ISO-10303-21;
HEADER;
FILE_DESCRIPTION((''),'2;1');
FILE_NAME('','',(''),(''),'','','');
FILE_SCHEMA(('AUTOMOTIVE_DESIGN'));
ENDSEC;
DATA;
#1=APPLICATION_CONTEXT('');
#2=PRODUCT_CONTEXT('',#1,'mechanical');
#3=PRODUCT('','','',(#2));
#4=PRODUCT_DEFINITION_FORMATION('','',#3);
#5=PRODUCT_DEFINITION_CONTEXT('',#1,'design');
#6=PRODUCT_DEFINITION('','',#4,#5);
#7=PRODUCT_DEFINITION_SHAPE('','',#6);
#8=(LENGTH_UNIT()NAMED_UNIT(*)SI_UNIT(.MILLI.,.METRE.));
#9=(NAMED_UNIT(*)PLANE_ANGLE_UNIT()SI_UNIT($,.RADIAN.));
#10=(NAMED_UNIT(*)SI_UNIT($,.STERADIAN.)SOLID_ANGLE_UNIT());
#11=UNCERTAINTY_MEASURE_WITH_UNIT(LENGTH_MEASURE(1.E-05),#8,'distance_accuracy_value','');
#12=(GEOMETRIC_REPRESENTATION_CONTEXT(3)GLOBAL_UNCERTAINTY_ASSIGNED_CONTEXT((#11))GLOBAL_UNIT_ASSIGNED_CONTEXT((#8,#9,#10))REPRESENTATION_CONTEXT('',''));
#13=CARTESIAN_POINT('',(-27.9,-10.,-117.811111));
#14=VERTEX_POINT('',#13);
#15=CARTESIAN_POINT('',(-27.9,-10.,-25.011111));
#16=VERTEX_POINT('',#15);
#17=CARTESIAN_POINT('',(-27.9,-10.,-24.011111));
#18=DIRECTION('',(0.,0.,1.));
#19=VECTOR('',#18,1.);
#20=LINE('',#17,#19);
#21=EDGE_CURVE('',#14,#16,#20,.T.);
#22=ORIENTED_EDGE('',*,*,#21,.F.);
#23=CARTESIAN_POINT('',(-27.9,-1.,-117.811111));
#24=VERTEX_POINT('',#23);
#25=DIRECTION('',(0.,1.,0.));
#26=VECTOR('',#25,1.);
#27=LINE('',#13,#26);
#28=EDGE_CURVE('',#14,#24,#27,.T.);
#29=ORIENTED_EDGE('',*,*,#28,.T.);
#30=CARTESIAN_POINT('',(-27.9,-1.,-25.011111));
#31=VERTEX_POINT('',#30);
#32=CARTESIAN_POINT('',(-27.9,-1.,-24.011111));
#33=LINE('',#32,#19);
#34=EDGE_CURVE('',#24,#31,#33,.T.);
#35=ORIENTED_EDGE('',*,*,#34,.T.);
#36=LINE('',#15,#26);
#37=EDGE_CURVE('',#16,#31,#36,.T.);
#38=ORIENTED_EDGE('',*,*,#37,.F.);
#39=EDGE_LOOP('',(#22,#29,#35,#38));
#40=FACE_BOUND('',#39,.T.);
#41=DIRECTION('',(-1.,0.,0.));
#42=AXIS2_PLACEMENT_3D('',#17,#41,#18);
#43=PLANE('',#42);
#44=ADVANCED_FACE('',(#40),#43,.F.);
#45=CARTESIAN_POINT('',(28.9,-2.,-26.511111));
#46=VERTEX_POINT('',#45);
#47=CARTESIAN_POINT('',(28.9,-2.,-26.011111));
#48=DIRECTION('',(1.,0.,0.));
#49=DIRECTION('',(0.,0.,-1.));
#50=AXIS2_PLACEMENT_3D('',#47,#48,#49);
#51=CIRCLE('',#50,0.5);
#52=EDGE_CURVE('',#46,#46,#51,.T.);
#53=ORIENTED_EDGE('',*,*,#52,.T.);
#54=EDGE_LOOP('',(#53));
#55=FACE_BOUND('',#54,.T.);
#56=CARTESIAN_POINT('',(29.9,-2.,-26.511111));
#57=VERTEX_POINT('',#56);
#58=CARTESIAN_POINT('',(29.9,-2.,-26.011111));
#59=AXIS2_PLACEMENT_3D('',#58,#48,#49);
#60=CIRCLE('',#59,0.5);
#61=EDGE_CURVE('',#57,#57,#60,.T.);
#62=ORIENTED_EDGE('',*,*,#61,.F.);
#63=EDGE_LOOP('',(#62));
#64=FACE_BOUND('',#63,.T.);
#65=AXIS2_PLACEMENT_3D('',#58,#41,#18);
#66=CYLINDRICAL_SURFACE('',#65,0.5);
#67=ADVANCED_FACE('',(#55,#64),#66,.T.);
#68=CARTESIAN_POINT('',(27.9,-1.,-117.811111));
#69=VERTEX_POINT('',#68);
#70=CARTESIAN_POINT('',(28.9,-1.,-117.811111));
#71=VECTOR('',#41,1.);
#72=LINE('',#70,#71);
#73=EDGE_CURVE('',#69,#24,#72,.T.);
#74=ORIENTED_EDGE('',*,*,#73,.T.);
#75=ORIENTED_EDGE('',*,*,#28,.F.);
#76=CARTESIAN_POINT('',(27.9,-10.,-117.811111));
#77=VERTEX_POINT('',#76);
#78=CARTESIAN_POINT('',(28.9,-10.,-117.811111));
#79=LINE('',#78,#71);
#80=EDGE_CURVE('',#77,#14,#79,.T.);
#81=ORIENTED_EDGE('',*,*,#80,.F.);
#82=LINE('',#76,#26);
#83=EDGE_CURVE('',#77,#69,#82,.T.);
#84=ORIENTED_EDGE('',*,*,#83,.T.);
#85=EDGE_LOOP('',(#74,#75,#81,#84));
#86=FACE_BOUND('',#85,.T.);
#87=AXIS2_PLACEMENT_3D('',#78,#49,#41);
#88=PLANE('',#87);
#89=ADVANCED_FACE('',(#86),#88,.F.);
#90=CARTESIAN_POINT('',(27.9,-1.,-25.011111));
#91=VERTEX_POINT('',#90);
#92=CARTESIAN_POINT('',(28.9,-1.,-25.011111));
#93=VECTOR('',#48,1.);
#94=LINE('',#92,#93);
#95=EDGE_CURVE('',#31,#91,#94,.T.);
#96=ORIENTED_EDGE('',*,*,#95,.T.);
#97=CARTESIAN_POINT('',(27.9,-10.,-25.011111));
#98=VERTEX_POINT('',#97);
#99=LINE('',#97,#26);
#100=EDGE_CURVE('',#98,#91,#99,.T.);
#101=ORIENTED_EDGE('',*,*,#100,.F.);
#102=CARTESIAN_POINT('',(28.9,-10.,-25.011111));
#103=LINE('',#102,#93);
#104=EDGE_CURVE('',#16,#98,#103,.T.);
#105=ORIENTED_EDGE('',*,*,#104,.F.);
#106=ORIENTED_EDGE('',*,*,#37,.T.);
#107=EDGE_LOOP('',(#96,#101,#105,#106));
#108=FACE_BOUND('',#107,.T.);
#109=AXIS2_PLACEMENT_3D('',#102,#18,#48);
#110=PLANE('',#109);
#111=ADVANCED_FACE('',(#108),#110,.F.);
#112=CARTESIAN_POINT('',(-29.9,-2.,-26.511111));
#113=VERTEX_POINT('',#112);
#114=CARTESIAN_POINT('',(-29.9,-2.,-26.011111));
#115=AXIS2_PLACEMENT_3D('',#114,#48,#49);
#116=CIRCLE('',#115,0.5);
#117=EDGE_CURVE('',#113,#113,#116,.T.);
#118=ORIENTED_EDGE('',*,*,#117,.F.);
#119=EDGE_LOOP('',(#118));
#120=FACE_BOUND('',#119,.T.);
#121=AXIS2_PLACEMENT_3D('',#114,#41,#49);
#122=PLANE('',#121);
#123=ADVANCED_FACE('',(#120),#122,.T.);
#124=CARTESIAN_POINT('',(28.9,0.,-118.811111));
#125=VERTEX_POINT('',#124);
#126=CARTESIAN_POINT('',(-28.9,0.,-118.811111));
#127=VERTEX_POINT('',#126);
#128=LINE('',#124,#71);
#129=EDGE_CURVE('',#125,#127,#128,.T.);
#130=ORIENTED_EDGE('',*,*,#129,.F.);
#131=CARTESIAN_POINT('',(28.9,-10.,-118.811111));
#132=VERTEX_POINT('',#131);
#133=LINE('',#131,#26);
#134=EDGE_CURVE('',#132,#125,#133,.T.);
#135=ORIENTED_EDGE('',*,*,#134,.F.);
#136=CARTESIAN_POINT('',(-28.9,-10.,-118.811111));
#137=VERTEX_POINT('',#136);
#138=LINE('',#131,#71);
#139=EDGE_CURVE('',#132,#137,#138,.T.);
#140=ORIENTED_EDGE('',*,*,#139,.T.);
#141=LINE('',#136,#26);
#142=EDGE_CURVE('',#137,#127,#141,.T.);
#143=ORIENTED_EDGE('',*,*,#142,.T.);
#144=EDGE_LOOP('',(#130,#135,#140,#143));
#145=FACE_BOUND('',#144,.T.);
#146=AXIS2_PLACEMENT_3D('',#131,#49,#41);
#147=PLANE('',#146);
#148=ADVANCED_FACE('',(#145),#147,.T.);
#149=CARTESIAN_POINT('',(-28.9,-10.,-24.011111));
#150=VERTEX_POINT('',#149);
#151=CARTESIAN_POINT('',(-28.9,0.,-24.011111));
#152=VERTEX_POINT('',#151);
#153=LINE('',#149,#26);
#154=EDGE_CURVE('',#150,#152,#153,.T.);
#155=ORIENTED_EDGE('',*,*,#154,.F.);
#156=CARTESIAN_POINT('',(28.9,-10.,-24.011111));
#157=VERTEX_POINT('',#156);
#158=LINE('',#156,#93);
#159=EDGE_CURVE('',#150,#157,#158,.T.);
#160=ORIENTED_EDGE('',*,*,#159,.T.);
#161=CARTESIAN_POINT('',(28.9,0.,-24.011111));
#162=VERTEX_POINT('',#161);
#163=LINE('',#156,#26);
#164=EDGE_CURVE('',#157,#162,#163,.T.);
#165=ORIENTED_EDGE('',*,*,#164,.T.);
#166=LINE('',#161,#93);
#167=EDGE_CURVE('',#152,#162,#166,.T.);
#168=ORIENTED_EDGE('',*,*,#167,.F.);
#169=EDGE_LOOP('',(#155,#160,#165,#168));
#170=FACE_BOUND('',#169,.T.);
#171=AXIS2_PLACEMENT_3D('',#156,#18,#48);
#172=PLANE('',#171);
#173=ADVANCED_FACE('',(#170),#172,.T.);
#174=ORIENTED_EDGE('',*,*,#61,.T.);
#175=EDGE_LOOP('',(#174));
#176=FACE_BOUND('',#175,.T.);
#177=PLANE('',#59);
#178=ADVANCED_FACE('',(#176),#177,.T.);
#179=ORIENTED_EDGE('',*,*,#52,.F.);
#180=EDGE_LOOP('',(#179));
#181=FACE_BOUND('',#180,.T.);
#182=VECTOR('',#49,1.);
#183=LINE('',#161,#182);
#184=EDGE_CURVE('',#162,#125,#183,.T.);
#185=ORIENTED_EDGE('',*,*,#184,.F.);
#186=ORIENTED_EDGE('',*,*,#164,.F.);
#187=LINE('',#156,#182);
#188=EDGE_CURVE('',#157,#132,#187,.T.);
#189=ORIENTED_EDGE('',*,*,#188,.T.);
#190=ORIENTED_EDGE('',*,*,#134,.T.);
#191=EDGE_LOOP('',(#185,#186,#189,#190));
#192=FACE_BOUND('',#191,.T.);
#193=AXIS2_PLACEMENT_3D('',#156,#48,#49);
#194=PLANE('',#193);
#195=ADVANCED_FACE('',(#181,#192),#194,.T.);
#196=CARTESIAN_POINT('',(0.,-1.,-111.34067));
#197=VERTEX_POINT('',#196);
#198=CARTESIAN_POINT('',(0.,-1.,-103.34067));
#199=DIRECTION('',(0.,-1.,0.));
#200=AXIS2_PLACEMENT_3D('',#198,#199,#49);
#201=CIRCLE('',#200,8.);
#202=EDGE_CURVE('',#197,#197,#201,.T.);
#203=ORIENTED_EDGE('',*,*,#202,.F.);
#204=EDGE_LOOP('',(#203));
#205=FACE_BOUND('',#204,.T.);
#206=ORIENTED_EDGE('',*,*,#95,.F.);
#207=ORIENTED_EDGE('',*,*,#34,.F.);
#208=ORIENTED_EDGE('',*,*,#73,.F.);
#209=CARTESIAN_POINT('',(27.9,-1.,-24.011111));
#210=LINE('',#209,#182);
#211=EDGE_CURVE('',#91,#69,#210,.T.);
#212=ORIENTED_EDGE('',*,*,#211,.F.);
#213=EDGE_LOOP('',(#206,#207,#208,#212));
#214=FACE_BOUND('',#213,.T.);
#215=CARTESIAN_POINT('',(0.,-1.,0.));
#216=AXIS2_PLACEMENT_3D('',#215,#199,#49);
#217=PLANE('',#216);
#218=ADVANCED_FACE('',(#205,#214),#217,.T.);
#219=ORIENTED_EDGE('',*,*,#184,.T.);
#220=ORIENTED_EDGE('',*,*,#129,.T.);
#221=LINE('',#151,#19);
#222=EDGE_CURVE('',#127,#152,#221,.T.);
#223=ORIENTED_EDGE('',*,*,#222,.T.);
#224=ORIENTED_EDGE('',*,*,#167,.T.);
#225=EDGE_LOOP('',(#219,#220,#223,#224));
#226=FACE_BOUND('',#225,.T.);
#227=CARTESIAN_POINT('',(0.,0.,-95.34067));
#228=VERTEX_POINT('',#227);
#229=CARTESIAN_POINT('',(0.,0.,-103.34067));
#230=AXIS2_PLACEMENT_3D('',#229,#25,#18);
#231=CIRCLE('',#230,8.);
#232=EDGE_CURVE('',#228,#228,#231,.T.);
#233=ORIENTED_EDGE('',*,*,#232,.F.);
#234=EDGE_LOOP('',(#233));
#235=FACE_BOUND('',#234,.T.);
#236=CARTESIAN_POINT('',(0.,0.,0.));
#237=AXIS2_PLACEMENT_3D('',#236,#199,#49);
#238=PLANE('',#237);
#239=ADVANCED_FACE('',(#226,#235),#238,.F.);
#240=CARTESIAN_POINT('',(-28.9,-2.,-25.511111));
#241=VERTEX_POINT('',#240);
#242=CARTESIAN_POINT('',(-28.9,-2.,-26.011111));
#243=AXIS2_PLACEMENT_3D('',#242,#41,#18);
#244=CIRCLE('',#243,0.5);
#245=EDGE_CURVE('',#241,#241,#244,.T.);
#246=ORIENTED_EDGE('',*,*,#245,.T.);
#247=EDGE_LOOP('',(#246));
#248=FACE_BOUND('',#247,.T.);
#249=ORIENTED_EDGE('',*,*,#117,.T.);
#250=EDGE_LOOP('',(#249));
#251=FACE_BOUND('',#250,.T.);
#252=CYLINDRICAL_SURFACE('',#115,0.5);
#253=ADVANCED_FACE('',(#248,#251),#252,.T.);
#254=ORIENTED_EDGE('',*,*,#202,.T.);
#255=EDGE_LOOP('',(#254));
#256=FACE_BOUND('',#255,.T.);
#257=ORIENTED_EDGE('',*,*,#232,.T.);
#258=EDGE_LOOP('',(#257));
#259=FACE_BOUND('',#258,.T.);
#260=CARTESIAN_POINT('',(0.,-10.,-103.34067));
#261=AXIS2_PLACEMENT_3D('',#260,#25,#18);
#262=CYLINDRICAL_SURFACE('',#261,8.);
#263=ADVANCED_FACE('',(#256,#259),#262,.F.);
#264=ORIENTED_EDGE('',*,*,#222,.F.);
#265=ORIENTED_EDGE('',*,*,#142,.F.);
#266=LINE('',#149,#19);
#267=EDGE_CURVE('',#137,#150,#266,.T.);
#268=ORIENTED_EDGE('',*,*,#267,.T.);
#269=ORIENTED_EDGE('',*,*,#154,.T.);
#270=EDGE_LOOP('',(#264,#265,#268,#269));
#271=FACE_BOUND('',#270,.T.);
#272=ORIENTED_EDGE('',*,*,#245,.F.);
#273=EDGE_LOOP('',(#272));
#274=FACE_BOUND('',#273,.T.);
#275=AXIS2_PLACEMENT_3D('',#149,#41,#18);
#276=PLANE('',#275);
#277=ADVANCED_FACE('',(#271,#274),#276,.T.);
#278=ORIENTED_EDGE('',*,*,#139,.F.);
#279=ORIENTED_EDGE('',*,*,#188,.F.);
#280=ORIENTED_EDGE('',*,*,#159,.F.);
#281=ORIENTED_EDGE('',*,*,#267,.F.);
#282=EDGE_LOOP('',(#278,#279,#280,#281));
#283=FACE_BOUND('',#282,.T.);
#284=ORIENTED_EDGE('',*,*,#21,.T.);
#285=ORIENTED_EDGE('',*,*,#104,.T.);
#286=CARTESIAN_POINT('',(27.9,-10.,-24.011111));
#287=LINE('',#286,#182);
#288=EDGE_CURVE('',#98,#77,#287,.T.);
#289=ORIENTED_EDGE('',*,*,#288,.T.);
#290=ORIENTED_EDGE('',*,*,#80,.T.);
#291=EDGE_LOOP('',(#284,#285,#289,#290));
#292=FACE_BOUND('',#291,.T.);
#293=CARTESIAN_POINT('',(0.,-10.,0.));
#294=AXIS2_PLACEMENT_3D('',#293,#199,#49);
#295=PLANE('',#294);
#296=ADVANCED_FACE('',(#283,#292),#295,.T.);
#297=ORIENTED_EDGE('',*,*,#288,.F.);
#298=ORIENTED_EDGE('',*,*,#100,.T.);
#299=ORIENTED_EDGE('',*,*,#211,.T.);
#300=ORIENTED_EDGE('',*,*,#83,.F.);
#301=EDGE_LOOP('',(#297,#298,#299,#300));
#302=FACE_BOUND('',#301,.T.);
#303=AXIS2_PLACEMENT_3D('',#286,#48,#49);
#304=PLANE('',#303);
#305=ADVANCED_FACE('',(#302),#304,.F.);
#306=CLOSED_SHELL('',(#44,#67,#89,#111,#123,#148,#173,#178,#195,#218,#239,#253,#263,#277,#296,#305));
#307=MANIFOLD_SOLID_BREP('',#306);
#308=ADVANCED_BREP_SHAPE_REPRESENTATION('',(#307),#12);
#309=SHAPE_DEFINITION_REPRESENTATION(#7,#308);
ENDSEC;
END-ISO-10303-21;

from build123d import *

# Parameters (mm, degrees)
SKETCH2_W           = 57.8
SKETCH2_H           = 94.8
BOSS_EXTRUDE1_DEPTH = 10
SHELL1_T            = -1
SKETCH3_R           = 8
CUT_EXTRUDE1_DEPTH  = 123.683699502
SKETCH4_R           = 0.5
BOSS_EXTRUDE2_DEPTH = 1


with BuildPart() as part:
    # Sketch2 → Boss-Extrude1 (new body)
    with BuildSketch(Plane(origin=(0, 0, 0), x_dir=(1, 0, 0), z_dir=(0, 1, 0))):
        with Locations((0, 71.411111111)):
            Rectangle(SKETCH2_W, SKETCH2_H)
    extrude(amount=-BOSS_EXTRUDE1_DEPTH)

    # Shell1
    shell1_openings = [part.faces().sort_by_distance(p)[0] for p in [
        (0, -10, -71.411111111),
    ]]
    offset(amount=SHELL1_T, openings=shell1_openings, kind=Kind.INTERSECTION)

    # Sketch3 → Cut-Extrude1 (cut, through all)
    with BuildSketch(Plane(origin=(0, 0, 0), x_dir=(1, 0, 0), z_dir=(0, 1, 0))):
        with Locations(Location((0, 103.340669908, 0), (0, 0, 270))):
            Circle(SKETCH3_R)
    extrude(amount=-CUT_EXTRUDE1_DEPTH, mode=Mode.SUBTRACT)

    # Sketch4 → Boss-Extrude2 (add)
    with BuildSketch(Plane(origin=(28.9, 0, 0), x_dir=(0, 0, -1), z_dir=(1, 0, 0))):
        with Locations((26.011111111, -2)):
            Circle(SKETCH4_R)
    boss_extrude2 = extrude(amount=BOSS_EXTRUDE2_DEPTH)

    # Mirror1: Boss-Extrude2 across plane
    add(boss_extrude2.mirror(Plane(origin=(0, 0, 0), x_dir=(0, 0, 1), z_dir=(1, 0, 0))))


solid = part.part
